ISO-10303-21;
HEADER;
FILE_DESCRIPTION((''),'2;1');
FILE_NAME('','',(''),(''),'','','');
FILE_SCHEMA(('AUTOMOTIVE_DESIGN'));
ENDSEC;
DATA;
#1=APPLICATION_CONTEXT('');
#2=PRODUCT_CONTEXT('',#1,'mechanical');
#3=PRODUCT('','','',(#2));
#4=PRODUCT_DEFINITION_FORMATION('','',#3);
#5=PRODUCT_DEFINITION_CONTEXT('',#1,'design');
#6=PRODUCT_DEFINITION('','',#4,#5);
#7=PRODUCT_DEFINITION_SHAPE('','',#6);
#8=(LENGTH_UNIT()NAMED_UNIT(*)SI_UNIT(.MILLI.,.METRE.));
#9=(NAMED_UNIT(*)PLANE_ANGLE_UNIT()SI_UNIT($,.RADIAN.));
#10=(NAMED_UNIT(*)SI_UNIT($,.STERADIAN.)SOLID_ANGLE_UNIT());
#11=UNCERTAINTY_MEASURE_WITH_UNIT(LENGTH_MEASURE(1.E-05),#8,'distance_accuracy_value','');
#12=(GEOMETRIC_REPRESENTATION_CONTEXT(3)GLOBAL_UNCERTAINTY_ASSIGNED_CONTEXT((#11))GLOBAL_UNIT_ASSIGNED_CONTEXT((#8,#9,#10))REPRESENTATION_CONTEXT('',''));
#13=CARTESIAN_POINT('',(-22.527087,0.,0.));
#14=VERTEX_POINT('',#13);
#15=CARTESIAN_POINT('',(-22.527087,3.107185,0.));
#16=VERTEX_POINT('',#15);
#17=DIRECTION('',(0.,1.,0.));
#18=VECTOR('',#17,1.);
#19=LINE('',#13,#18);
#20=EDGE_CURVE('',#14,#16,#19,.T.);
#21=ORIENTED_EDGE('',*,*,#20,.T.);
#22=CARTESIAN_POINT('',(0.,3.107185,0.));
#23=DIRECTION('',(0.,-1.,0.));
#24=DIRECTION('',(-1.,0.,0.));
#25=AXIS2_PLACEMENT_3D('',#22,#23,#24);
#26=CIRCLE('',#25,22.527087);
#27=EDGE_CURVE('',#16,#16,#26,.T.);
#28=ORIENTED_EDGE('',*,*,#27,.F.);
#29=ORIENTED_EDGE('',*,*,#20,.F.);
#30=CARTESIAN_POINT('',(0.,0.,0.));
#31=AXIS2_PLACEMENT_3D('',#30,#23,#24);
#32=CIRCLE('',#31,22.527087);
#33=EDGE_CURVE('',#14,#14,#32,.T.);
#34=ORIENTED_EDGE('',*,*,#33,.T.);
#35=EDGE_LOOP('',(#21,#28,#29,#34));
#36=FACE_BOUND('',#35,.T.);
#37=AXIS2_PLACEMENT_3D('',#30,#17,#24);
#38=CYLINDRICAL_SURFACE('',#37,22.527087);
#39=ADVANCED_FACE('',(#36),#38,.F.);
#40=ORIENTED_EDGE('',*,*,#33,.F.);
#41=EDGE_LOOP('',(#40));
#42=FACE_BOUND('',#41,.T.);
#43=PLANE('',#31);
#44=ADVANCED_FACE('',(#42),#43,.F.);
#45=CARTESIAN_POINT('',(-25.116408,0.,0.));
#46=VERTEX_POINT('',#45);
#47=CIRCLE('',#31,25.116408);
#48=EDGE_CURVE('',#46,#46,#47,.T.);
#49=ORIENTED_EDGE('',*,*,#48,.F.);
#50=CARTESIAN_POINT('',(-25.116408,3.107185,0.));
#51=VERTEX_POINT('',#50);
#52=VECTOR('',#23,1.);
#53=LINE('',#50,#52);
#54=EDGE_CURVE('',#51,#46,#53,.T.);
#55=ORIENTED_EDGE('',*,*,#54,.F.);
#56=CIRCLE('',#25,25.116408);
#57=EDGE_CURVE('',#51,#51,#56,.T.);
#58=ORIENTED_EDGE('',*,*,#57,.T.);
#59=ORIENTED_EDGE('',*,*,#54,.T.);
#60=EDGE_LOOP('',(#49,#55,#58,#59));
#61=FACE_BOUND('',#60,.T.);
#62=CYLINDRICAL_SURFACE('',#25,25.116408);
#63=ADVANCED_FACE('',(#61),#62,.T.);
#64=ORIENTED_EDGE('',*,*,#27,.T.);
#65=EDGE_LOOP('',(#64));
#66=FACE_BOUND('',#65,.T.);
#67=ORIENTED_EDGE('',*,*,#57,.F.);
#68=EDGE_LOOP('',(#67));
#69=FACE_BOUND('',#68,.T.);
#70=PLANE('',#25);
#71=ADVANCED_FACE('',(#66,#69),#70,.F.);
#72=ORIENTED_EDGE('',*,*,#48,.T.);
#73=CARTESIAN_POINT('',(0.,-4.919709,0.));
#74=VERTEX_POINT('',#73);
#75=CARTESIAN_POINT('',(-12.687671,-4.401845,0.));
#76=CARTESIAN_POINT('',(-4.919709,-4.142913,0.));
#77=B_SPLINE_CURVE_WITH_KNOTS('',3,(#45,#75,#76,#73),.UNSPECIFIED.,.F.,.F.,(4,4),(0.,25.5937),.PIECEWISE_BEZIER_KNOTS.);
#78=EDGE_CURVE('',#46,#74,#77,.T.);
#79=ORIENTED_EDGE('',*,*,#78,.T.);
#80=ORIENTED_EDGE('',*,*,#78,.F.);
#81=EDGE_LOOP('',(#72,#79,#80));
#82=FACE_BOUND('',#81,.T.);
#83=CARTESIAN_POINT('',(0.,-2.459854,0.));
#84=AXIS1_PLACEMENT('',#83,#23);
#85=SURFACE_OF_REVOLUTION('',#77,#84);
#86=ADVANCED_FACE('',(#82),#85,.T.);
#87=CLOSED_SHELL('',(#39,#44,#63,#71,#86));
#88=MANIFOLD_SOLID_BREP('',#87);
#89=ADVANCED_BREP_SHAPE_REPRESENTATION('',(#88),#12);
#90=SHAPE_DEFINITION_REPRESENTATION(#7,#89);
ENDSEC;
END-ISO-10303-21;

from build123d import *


with BuildPart() as f1:
    # F0 (on Top) → F1 (revolve)
    with BuildSketch(Plane.XY):
        with BuildLine():
            Line((0, -4.919709), (0, 0))
            Line((0, 0), (-22.527087, 0))
            Line((-22.527087, 0), (-22.527087, 3.107185))
            Line((-22.527087, 3.107185), (-25.116408, 3.107185))
            Line((-25.116408, 3.107185), (-25.116408, 0))
            add(Edge.make_bspline(
                [(-25.116408, 0), (-12.687671, -4.401845), (-4.919709, -4.142913), (0, -4.919709)],
                knots=[0, 0, 0, 0, 25.5937, 25.5937, 25.5937, 25.5937], degree=3))
        make_face()
    revolve(axis=Axis((0, -2.459854, 0), (0, -1, 0)))


solid = f1.part
